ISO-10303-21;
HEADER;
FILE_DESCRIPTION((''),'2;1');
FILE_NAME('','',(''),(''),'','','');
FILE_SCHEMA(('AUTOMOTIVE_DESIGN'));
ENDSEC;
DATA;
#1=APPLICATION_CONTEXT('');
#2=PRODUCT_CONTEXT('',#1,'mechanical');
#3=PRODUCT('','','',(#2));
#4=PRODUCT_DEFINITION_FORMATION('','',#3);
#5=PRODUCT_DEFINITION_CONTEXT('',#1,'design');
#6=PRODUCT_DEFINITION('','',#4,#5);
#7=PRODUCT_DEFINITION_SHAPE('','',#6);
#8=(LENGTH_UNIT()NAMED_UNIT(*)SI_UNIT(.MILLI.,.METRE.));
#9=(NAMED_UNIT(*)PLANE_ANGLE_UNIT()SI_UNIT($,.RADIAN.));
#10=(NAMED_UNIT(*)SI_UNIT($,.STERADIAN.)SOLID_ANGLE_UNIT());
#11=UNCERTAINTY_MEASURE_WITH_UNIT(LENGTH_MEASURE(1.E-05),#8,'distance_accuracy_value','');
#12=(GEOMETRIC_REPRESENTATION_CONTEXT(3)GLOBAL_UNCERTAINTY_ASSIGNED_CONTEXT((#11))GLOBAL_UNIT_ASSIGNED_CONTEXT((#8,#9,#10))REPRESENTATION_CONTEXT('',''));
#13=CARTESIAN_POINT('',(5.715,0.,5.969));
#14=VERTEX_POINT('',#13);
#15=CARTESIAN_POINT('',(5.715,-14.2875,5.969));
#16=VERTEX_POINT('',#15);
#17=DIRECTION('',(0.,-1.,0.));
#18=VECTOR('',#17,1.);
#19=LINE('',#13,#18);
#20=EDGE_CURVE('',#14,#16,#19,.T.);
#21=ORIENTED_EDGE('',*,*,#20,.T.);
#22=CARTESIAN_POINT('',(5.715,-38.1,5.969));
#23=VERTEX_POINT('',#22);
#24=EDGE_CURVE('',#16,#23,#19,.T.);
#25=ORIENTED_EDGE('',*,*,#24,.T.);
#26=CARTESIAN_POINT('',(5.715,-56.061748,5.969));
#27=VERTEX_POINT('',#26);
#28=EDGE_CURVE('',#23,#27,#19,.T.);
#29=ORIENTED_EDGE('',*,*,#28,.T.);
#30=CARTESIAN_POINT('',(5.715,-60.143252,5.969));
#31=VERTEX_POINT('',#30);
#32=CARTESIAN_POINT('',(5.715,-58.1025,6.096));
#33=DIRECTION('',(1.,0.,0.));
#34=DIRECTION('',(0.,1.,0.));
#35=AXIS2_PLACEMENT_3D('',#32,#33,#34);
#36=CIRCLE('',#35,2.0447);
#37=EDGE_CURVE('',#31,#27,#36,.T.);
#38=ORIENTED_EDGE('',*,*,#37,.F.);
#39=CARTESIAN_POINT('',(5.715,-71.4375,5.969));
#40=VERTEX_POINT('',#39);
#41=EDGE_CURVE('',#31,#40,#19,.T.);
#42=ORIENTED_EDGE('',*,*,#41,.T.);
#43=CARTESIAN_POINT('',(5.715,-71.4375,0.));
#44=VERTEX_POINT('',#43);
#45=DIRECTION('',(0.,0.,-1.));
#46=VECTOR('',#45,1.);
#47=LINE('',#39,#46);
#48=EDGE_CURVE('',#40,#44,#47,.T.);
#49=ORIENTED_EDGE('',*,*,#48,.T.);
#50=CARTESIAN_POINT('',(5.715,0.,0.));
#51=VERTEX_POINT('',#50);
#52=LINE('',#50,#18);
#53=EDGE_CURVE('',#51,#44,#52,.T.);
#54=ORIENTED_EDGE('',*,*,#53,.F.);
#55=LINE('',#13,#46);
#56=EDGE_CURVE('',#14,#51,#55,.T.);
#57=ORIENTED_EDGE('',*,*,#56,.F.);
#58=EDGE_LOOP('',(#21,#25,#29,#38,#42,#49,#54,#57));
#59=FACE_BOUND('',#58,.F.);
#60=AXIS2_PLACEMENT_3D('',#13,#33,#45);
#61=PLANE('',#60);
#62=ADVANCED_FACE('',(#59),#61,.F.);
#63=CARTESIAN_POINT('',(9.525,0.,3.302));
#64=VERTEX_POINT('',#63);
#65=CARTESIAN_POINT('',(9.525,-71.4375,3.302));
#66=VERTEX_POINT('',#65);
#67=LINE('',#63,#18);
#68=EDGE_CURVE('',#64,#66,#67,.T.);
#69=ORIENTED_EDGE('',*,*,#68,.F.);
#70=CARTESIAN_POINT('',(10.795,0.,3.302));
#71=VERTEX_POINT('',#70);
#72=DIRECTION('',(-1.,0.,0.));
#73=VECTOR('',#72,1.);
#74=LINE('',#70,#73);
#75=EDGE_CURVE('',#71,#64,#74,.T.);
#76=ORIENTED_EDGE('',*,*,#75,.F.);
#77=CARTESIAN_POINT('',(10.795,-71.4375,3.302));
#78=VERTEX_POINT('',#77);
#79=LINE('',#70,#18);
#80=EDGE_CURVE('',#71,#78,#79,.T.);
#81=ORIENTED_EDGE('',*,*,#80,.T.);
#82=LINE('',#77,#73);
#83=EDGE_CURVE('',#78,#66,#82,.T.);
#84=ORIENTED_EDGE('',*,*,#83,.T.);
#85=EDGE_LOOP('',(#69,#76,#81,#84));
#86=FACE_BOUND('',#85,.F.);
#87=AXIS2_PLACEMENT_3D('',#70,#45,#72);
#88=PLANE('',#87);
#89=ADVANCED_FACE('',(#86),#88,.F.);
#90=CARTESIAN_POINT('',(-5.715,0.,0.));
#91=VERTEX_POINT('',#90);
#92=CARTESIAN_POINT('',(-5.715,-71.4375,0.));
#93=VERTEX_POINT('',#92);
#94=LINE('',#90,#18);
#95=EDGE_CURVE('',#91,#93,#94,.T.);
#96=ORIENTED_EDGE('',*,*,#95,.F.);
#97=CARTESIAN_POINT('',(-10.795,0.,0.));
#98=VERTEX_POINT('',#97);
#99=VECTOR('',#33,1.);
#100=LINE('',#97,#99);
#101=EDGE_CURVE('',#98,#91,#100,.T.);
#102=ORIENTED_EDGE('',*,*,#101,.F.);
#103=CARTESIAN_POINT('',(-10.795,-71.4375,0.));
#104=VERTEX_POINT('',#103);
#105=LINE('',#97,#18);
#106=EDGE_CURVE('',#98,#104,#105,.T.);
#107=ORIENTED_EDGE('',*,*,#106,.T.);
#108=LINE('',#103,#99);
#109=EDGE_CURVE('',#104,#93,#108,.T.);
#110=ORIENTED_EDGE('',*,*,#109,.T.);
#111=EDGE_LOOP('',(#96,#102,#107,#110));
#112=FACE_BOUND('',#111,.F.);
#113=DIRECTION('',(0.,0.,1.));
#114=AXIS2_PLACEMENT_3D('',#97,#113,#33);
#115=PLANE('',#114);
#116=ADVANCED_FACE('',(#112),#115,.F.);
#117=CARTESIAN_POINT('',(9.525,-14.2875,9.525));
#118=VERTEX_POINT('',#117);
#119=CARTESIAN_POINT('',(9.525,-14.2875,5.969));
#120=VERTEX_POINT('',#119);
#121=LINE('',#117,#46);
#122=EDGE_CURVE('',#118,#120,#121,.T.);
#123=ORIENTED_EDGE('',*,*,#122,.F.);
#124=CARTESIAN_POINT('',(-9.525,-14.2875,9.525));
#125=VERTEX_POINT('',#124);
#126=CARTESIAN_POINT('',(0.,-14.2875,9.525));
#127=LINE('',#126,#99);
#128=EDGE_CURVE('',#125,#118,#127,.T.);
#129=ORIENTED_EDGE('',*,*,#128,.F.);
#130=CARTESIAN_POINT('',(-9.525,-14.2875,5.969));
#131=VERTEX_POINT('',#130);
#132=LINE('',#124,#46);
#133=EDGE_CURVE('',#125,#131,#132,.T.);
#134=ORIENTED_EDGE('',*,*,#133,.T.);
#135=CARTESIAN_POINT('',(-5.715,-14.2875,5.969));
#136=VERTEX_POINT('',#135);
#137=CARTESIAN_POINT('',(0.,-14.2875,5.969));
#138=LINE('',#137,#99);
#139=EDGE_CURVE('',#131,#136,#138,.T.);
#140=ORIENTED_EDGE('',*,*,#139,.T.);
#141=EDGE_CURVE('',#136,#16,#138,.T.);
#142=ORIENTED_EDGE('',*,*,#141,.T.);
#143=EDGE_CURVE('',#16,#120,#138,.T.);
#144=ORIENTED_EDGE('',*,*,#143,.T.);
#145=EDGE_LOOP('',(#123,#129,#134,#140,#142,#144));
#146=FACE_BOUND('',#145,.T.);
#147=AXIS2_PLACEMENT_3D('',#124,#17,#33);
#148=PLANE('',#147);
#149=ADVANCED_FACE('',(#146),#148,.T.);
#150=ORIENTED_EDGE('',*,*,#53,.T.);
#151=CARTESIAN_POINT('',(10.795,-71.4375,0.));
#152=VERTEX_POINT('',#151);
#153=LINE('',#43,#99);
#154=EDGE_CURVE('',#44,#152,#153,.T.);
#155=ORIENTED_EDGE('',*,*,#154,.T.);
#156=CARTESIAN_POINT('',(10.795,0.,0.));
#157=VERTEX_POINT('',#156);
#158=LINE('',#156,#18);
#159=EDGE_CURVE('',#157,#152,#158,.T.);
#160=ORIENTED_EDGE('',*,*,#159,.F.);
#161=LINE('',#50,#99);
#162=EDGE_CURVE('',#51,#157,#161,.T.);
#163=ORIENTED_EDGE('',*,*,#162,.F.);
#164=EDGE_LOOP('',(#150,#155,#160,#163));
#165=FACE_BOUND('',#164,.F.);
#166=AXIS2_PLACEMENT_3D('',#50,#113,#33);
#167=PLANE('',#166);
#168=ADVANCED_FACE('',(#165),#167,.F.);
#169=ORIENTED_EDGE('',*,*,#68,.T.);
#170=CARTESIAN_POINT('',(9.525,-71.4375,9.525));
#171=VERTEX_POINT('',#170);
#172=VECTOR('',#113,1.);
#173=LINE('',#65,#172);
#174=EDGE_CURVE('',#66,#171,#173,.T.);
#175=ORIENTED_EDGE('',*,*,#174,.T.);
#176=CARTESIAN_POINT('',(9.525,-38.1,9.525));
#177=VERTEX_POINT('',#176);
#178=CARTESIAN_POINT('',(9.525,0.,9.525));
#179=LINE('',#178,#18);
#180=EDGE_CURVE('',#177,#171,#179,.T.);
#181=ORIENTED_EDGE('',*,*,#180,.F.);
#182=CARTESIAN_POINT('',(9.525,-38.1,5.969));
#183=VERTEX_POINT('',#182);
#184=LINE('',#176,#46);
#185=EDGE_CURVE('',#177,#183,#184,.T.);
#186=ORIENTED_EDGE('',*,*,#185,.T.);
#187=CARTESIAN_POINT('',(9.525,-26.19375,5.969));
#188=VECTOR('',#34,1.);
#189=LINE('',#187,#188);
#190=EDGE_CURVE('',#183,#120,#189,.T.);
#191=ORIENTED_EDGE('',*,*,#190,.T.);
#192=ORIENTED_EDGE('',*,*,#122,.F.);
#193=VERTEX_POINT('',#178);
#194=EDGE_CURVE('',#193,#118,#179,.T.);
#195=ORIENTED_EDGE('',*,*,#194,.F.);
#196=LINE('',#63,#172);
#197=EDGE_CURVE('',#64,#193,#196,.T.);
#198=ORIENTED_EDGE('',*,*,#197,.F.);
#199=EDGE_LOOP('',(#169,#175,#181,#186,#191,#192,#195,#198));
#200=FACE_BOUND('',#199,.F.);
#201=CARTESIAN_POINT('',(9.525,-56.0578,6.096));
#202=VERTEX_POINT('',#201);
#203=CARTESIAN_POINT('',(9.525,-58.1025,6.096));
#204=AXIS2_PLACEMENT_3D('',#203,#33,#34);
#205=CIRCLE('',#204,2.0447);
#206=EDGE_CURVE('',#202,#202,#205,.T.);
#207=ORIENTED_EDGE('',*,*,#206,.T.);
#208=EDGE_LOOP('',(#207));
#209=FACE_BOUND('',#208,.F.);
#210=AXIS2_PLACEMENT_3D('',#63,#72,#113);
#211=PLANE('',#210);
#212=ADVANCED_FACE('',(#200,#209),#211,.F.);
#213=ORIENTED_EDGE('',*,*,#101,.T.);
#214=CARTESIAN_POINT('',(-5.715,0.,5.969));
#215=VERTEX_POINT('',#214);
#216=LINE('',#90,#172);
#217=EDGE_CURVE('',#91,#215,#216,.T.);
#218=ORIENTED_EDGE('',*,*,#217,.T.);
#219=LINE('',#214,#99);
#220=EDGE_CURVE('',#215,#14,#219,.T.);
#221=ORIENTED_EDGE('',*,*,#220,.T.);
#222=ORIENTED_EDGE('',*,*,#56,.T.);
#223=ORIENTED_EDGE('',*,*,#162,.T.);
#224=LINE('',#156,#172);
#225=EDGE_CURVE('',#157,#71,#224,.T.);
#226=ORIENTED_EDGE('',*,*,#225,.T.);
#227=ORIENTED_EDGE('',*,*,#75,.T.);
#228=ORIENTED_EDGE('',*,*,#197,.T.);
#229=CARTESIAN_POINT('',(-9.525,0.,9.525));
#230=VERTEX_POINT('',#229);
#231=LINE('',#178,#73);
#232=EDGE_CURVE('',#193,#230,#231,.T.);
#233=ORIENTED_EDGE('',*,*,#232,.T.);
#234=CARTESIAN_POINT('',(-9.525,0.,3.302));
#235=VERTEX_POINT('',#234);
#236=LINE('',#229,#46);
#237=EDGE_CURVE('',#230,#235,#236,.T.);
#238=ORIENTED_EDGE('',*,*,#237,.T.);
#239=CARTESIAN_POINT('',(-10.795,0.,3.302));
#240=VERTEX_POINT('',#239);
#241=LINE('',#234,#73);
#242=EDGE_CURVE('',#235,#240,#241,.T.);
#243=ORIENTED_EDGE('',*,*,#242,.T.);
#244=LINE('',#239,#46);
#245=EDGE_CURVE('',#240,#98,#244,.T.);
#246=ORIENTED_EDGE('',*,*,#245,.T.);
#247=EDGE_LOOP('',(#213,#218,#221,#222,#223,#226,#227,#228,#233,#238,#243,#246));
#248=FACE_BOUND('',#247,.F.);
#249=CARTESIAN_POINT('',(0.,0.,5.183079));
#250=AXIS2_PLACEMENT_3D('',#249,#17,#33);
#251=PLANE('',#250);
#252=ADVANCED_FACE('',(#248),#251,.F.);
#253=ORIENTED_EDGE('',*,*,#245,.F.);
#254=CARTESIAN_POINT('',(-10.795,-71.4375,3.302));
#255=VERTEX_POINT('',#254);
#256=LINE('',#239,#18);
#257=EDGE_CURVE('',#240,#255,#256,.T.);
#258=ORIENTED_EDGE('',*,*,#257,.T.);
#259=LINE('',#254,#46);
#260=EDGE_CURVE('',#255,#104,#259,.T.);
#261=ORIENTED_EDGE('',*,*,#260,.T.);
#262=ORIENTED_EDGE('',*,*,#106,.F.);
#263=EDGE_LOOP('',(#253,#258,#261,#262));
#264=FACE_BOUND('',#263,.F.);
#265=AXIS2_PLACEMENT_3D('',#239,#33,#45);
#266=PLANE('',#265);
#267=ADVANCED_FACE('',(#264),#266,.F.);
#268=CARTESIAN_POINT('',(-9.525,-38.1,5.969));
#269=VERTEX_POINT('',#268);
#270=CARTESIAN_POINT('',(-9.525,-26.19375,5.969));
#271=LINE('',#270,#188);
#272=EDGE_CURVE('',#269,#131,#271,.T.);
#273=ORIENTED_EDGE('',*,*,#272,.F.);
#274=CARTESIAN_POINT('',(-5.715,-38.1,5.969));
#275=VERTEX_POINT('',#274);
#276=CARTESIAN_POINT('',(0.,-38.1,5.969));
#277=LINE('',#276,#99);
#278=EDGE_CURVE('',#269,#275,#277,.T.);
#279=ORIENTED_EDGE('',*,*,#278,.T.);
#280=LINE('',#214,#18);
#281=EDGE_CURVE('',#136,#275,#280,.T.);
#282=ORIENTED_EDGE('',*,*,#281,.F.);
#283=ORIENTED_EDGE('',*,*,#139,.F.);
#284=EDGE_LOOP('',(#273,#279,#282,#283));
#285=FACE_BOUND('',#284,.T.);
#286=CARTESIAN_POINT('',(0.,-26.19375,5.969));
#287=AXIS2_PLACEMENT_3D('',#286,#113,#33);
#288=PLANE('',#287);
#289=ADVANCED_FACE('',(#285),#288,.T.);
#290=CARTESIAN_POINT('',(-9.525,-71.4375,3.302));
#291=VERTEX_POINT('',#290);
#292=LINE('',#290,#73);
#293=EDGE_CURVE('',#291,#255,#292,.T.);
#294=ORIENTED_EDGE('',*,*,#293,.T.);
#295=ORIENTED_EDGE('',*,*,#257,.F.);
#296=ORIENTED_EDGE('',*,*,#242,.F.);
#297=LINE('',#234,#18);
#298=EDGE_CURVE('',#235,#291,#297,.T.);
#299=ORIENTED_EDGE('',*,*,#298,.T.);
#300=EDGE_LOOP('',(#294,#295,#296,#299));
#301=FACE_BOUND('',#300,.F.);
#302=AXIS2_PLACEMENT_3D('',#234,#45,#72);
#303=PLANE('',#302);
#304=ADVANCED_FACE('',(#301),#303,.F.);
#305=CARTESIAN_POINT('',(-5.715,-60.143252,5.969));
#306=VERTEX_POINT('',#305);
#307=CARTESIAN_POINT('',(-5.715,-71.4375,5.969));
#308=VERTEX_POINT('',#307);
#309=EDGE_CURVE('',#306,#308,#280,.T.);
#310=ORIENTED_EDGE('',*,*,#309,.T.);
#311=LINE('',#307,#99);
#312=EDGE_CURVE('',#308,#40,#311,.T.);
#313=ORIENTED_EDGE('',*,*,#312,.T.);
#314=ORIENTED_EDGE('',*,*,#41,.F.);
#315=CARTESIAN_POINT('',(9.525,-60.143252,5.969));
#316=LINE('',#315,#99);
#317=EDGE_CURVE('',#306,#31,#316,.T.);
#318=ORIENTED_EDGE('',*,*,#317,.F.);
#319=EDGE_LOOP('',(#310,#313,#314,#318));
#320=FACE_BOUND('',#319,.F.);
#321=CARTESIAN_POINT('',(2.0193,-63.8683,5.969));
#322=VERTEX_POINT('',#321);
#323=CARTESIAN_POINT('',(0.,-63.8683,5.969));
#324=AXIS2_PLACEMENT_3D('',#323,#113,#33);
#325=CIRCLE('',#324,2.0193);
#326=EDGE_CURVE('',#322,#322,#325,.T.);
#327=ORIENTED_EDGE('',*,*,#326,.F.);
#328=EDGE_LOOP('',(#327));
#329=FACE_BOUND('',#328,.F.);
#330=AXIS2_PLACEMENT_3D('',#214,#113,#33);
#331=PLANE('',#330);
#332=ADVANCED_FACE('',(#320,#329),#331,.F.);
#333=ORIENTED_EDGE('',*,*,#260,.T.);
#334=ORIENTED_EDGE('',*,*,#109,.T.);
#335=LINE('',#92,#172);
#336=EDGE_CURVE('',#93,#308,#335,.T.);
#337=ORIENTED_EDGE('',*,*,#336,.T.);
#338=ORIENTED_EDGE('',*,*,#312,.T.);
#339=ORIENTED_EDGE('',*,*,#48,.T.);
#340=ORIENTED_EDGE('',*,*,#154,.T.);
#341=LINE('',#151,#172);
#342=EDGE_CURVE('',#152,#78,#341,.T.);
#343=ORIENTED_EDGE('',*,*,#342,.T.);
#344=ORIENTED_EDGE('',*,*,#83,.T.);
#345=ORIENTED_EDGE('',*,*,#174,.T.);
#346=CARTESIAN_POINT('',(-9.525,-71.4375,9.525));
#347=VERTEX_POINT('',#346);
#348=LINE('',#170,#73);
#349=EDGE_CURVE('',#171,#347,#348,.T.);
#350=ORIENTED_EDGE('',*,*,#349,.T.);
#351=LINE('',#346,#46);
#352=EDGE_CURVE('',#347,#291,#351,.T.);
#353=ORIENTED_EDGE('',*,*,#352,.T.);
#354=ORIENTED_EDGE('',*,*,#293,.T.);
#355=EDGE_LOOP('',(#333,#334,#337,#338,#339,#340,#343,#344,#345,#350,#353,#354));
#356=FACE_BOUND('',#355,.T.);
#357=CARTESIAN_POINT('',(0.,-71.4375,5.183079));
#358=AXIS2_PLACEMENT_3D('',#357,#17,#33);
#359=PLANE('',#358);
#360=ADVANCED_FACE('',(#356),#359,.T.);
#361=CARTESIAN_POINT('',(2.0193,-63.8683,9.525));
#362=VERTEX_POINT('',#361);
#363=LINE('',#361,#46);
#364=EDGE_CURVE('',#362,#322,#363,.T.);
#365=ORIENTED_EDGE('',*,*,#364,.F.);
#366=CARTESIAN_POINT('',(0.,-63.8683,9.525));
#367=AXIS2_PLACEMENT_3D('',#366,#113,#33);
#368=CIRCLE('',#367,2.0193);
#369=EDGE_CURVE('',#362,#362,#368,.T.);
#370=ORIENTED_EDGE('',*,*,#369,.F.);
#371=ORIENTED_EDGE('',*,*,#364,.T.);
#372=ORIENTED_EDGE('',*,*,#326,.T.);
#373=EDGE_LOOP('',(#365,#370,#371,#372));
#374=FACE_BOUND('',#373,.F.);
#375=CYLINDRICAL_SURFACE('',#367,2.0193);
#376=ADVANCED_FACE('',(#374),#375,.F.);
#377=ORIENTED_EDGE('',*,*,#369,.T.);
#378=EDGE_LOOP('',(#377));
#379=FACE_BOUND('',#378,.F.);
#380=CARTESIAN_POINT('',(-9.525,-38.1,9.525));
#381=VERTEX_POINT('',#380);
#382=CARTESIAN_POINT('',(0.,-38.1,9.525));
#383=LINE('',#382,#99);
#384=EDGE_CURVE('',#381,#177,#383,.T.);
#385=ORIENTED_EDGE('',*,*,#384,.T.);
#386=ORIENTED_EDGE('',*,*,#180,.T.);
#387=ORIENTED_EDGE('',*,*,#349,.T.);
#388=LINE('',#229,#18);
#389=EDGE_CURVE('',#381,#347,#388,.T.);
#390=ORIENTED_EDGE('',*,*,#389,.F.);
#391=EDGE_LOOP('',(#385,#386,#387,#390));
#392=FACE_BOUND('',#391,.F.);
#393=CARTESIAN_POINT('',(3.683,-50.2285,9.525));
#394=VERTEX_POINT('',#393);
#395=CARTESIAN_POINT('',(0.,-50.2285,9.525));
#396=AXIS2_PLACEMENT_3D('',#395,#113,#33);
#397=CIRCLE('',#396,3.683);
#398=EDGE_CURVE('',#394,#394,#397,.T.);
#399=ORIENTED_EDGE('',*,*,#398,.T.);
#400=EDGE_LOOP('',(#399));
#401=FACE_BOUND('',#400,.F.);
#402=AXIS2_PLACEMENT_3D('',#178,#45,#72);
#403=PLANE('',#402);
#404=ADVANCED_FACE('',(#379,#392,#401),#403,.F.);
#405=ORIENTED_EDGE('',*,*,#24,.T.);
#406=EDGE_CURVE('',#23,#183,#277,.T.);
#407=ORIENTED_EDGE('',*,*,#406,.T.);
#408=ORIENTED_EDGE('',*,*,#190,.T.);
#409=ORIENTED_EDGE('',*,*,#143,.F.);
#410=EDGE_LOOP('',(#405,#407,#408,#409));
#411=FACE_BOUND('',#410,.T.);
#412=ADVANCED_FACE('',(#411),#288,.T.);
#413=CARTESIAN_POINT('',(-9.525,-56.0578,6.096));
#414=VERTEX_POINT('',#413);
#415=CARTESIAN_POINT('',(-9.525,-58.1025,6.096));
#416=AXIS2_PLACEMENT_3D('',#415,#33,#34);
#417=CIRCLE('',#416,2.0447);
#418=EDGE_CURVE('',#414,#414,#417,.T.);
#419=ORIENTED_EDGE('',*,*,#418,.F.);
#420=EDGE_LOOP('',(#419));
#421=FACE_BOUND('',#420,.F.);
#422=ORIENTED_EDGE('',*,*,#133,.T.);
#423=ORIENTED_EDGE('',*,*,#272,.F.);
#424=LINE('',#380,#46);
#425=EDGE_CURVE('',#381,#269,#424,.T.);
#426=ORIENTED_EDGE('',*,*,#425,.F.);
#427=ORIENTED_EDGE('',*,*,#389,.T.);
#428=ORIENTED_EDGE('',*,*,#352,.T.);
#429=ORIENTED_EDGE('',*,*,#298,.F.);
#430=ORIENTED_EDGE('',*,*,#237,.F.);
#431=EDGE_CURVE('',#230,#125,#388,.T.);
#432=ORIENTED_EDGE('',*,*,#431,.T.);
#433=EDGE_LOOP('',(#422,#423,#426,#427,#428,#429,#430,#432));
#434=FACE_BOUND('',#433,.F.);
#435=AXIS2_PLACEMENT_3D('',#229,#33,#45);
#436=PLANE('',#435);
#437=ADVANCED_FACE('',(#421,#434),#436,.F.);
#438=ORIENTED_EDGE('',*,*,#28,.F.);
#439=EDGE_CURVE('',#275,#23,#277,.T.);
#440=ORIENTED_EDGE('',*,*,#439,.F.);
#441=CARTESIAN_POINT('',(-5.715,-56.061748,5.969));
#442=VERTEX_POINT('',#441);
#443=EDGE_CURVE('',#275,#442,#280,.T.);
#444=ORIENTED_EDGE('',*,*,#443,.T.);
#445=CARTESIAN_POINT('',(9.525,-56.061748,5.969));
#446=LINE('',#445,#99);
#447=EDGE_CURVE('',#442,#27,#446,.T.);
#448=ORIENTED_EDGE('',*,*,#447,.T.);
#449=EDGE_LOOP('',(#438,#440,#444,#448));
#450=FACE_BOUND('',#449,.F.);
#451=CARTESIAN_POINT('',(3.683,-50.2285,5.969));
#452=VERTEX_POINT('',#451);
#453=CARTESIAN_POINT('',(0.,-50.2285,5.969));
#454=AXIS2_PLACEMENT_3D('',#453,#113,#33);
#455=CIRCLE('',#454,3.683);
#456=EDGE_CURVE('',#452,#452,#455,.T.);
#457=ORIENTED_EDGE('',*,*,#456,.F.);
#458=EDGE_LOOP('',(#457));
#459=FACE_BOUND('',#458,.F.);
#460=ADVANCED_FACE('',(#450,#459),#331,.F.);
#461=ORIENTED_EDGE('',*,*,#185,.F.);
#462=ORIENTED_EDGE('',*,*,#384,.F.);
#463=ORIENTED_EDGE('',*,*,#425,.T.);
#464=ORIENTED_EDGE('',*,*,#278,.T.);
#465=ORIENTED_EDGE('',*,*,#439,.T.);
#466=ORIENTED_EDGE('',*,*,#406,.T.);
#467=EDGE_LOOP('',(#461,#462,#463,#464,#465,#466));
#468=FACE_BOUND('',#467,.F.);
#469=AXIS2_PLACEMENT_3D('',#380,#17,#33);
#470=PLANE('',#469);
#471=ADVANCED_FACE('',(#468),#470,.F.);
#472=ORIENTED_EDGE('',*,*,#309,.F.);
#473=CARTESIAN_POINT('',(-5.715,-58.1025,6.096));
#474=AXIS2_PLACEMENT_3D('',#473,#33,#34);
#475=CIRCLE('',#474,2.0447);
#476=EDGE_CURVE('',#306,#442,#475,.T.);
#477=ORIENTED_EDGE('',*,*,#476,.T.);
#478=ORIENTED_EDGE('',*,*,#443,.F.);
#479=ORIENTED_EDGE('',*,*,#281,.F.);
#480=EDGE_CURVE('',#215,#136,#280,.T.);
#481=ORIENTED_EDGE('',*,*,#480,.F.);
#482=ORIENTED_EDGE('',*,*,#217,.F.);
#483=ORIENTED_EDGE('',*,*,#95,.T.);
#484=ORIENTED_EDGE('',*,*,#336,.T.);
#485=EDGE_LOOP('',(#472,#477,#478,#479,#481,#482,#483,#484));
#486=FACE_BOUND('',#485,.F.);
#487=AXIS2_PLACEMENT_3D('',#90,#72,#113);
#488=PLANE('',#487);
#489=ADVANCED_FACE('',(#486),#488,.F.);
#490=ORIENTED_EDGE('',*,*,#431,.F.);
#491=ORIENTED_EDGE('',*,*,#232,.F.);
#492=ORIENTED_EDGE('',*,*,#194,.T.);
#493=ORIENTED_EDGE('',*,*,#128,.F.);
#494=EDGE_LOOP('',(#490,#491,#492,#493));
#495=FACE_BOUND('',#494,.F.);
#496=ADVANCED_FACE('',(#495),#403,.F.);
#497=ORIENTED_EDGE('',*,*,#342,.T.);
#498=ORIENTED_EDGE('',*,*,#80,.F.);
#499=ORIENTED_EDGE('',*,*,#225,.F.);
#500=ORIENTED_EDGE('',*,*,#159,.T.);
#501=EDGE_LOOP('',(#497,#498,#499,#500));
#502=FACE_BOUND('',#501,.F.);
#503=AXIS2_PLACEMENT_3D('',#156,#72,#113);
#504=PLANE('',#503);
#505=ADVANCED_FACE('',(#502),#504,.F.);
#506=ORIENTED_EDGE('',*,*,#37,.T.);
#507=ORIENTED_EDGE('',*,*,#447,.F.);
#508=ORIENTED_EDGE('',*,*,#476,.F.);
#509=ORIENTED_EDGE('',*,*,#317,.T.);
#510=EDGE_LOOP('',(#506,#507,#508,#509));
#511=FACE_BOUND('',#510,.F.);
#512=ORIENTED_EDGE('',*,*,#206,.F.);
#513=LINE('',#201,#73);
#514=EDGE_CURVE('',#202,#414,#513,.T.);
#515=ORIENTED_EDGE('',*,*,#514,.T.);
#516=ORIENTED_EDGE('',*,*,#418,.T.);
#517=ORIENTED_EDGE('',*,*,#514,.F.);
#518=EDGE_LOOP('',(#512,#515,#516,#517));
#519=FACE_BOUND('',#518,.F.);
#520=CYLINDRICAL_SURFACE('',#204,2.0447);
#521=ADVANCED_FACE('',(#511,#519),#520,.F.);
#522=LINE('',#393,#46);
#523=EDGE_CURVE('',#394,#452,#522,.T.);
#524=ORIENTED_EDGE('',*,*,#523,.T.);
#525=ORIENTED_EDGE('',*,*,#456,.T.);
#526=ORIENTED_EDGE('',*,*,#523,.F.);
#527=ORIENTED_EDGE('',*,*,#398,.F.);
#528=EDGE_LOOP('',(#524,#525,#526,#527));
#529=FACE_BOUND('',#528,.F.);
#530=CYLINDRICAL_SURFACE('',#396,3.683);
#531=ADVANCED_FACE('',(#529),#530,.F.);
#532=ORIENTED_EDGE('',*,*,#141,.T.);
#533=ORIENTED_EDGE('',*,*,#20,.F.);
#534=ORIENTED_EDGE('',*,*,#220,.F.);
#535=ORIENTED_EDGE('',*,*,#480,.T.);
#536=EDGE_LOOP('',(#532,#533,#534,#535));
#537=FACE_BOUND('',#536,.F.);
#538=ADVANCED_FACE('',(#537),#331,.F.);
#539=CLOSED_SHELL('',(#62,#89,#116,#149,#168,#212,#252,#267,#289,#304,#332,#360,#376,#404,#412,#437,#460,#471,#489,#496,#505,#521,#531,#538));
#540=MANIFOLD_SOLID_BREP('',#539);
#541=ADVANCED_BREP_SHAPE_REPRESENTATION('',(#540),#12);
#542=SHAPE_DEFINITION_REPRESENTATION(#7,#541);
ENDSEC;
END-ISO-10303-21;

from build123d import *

# Parameters (mm, degrees)
F1_DEPTH = 71.4375
F2_R     = 3.683
F2_R_2   = 2.0193
F3_DEPTH = 9.526
F4_R     = 2.0447
F5_DEPTH = 20.321
F6_W     = 19.05
F6_H     = 23.8125
F7_DEPTH = 3.556


with BuildPart() as f1:
    # F0 (on Front) → F1 (new body)
    with BuildSketch(Plane.XZ):
        Polygon((9.525, 9.525), (-9.525, 9.525), (-9.525, 3.302), (-10.795, 3.302), (-10.795, 0), (-5.715, 0), (-5.715, 5.969), (5.715, 5.969), (5.715, 0), (10.795, 0), (10.795, 3.302), (9.525, 3.302), align=None)
    extrude(amount=F1_DEPTH)

    # F2 (on face) → F3 (cut, through all)
    with BuildSketch(Plane.XY.offset(9.525)):
        with Locations((0, -50.2285)):
            Circle(F2_R)
        with Locations((0, -63.8683)):
            Circle(F2_R_2)
    extrude(amount=-F3_DEPTH, mode=Mode.SUBTRACT)

    # F4 (on face) → F5 (cut, through all)
    with BuildSketch(Plane.YZ.offset(9.525)):
        with Locations((-58.1025, 6.096)):
            Circle(F4_R)
    extrude(amount=-F5_DEPTH, mode=Mode.SUBTRACT)

    # F6 (on face) → F7 (cut)
    with BuildSketch(Plane.XY.offset(9.525)):
        with Locations((0, -26.19375)):
            Rectangle(F6_W, F6_H)
    extrude(amount=-F7_DEPTH, mode=Mode.SUBTRACT)


solid = f1.part
